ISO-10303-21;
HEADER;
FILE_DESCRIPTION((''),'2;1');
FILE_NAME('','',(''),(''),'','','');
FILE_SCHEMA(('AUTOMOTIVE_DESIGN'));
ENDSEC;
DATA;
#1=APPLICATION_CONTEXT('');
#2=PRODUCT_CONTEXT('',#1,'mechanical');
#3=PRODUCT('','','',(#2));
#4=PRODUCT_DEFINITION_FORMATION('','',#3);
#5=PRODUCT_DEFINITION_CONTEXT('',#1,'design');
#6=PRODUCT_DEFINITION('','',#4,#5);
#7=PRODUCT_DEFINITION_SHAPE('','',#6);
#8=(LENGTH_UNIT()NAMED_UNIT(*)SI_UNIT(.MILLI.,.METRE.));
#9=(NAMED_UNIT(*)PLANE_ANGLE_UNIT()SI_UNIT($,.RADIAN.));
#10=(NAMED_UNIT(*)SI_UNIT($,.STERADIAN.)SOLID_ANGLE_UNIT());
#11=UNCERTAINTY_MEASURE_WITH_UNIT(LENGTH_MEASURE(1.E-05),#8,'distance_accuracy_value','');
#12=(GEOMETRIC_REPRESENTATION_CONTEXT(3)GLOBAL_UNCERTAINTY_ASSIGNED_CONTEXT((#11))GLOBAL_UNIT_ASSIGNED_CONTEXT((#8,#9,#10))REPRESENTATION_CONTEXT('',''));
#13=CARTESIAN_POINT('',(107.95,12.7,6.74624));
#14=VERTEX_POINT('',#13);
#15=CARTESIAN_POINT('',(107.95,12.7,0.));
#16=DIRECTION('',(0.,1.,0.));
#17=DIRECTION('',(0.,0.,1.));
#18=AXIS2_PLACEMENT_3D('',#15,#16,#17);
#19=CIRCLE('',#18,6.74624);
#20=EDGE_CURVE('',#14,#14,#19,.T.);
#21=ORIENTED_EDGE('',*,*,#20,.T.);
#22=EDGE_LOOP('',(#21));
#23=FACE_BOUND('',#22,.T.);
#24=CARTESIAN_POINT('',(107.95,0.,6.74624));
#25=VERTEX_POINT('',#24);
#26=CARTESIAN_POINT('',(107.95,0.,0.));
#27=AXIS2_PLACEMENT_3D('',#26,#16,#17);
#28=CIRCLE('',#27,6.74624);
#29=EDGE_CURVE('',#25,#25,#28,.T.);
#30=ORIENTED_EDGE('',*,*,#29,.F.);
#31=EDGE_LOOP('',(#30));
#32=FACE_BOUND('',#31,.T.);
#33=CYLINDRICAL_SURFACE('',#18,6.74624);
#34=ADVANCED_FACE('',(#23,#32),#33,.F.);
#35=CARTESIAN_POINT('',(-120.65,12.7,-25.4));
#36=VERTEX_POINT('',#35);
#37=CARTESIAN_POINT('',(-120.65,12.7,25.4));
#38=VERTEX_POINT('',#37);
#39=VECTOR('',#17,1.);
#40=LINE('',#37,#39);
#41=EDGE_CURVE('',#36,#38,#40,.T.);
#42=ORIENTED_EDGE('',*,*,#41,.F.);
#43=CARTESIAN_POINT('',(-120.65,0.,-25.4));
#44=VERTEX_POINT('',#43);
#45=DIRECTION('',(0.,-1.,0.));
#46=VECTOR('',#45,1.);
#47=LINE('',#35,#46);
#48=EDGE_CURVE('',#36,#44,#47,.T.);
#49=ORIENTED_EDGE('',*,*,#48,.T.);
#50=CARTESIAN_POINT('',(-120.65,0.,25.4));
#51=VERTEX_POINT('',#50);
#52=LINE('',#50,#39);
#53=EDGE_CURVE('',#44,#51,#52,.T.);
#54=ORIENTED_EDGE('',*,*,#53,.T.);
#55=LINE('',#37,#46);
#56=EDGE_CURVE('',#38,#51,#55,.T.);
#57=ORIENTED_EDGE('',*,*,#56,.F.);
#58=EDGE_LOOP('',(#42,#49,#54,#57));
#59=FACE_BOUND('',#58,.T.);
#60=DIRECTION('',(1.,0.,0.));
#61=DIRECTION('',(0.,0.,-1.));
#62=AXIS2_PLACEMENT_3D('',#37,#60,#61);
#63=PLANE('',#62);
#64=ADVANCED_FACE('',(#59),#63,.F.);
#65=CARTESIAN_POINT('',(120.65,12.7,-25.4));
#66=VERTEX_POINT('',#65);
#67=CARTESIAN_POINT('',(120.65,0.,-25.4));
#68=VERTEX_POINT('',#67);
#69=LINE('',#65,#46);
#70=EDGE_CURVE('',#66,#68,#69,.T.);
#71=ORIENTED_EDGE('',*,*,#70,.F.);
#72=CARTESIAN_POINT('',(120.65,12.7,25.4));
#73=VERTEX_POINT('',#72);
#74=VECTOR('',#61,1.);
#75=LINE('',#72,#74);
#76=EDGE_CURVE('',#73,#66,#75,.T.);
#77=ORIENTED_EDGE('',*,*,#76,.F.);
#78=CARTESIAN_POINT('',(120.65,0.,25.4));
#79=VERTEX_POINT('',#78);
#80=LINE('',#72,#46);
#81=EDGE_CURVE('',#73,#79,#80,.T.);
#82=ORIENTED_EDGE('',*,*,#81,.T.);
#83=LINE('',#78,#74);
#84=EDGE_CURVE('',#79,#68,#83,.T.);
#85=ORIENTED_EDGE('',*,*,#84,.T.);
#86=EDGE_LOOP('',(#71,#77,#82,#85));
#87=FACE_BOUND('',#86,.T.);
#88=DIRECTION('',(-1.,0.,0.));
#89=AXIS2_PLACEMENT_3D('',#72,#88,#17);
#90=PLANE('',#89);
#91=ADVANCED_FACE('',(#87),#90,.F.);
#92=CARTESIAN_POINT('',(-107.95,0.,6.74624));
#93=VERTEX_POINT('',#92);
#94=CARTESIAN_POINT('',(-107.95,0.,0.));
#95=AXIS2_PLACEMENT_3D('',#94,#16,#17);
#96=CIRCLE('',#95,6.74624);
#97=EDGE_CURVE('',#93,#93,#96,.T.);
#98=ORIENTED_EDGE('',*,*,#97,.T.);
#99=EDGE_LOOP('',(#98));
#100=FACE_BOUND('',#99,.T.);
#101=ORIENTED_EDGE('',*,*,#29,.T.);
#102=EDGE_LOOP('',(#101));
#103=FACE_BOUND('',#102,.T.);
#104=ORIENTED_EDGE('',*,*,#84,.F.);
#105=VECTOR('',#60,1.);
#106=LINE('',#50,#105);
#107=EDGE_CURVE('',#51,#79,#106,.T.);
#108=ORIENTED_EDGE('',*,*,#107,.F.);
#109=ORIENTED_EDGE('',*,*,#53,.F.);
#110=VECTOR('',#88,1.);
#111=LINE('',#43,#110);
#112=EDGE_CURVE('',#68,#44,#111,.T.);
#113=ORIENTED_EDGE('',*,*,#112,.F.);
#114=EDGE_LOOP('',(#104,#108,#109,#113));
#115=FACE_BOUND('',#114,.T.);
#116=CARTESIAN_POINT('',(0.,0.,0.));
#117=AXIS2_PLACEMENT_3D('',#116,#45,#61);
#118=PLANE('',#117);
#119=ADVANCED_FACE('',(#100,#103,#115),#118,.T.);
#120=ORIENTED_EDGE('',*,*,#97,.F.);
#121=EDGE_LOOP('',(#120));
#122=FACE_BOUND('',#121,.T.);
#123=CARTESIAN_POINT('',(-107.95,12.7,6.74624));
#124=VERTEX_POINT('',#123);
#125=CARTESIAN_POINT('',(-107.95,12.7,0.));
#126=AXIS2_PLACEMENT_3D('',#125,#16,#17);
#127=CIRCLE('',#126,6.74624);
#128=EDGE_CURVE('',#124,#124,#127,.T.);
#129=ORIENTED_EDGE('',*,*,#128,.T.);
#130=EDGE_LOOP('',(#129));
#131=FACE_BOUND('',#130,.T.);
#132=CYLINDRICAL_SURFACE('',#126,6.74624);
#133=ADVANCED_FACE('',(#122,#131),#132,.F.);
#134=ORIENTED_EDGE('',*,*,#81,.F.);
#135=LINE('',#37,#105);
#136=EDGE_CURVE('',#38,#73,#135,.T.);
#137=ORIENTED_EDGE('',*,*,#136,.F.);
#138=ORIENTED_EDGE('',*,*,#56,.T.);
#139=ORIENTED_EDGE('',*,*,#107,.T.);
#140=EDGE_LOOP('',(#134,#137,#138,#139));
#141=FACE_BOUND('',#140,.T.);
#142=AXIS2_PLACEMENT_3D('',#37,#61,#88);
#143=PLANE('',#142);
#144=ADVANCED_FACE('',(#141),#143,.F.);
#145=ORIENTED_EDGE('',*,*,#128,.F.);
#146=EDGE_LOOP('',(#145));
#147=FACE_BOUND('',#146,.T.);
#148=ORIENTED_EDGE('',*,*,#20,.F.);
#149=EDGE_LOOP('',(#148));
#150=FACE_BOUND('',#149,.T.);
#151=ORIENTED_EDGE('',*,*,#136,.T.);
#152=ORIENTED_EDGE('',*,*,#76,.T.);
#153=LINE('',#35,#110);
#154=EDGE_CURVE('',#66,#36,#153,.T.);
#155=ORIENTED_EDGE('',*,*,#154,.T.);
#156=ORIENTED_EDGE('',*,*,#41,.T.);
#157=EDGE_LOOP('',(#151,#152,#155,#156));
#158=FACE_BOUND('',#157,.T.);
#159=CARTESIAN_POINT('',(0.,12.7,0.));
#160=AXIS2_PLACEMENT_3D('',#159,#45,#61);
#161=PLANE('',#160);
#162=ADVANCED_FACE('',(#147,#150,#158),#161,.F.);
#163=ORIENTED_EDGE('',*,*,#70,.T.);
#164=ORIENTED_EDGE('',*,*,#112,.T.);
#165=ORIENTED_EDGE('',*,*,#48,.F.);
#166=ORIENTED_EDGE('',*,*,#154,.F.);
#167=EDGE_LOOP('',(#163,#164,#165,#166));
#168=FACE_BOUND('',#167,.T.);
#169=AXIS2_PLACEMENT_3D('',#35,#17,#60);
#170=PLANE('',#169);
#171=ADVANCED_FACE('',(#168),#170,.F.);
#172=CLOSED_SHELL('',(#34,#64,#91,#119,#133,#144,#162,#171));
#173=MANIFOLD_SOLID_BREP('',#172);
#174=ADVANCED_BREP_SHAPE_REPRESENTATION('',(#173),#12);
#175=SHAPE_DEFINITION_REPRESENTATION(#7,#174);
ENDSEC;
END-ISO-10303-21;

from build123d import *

# Parameters (mm, degrees)
SKETCH1_W               = 241.3
SKETCH1_H               = 50.8
BOSS_EXTRUDE1_DEPTH     = 12.7
F_1_2_CLEARANCE_HOLE1_D = 13.49248


with BuildPart() as part:
    # Sketch1 → Boss-Extrude1 (new body)
    with BuildSketch(Plane(origin=(0, 0, 0), x_dir=(1, 0, 0), z_dir=(0, 1, 0))):
        Rectangle(SKETCH1_W, SKETCH1_H)
    extrude(amount=BOSS_EXTRUDE1_DEPTH)

    # 1/2 Clearance Hole1 (through all)
    with Locations(Plane(origin=(0, 12.7, 0), x_dir=(1, 0, 0), z_dir=(0, 1, 0))):
        with Locations((-107.95, 0), (107.95, 0)):
            Hole(F_1_2_CLEARANCE_HOLE1_D / 2)


solid = part.part
